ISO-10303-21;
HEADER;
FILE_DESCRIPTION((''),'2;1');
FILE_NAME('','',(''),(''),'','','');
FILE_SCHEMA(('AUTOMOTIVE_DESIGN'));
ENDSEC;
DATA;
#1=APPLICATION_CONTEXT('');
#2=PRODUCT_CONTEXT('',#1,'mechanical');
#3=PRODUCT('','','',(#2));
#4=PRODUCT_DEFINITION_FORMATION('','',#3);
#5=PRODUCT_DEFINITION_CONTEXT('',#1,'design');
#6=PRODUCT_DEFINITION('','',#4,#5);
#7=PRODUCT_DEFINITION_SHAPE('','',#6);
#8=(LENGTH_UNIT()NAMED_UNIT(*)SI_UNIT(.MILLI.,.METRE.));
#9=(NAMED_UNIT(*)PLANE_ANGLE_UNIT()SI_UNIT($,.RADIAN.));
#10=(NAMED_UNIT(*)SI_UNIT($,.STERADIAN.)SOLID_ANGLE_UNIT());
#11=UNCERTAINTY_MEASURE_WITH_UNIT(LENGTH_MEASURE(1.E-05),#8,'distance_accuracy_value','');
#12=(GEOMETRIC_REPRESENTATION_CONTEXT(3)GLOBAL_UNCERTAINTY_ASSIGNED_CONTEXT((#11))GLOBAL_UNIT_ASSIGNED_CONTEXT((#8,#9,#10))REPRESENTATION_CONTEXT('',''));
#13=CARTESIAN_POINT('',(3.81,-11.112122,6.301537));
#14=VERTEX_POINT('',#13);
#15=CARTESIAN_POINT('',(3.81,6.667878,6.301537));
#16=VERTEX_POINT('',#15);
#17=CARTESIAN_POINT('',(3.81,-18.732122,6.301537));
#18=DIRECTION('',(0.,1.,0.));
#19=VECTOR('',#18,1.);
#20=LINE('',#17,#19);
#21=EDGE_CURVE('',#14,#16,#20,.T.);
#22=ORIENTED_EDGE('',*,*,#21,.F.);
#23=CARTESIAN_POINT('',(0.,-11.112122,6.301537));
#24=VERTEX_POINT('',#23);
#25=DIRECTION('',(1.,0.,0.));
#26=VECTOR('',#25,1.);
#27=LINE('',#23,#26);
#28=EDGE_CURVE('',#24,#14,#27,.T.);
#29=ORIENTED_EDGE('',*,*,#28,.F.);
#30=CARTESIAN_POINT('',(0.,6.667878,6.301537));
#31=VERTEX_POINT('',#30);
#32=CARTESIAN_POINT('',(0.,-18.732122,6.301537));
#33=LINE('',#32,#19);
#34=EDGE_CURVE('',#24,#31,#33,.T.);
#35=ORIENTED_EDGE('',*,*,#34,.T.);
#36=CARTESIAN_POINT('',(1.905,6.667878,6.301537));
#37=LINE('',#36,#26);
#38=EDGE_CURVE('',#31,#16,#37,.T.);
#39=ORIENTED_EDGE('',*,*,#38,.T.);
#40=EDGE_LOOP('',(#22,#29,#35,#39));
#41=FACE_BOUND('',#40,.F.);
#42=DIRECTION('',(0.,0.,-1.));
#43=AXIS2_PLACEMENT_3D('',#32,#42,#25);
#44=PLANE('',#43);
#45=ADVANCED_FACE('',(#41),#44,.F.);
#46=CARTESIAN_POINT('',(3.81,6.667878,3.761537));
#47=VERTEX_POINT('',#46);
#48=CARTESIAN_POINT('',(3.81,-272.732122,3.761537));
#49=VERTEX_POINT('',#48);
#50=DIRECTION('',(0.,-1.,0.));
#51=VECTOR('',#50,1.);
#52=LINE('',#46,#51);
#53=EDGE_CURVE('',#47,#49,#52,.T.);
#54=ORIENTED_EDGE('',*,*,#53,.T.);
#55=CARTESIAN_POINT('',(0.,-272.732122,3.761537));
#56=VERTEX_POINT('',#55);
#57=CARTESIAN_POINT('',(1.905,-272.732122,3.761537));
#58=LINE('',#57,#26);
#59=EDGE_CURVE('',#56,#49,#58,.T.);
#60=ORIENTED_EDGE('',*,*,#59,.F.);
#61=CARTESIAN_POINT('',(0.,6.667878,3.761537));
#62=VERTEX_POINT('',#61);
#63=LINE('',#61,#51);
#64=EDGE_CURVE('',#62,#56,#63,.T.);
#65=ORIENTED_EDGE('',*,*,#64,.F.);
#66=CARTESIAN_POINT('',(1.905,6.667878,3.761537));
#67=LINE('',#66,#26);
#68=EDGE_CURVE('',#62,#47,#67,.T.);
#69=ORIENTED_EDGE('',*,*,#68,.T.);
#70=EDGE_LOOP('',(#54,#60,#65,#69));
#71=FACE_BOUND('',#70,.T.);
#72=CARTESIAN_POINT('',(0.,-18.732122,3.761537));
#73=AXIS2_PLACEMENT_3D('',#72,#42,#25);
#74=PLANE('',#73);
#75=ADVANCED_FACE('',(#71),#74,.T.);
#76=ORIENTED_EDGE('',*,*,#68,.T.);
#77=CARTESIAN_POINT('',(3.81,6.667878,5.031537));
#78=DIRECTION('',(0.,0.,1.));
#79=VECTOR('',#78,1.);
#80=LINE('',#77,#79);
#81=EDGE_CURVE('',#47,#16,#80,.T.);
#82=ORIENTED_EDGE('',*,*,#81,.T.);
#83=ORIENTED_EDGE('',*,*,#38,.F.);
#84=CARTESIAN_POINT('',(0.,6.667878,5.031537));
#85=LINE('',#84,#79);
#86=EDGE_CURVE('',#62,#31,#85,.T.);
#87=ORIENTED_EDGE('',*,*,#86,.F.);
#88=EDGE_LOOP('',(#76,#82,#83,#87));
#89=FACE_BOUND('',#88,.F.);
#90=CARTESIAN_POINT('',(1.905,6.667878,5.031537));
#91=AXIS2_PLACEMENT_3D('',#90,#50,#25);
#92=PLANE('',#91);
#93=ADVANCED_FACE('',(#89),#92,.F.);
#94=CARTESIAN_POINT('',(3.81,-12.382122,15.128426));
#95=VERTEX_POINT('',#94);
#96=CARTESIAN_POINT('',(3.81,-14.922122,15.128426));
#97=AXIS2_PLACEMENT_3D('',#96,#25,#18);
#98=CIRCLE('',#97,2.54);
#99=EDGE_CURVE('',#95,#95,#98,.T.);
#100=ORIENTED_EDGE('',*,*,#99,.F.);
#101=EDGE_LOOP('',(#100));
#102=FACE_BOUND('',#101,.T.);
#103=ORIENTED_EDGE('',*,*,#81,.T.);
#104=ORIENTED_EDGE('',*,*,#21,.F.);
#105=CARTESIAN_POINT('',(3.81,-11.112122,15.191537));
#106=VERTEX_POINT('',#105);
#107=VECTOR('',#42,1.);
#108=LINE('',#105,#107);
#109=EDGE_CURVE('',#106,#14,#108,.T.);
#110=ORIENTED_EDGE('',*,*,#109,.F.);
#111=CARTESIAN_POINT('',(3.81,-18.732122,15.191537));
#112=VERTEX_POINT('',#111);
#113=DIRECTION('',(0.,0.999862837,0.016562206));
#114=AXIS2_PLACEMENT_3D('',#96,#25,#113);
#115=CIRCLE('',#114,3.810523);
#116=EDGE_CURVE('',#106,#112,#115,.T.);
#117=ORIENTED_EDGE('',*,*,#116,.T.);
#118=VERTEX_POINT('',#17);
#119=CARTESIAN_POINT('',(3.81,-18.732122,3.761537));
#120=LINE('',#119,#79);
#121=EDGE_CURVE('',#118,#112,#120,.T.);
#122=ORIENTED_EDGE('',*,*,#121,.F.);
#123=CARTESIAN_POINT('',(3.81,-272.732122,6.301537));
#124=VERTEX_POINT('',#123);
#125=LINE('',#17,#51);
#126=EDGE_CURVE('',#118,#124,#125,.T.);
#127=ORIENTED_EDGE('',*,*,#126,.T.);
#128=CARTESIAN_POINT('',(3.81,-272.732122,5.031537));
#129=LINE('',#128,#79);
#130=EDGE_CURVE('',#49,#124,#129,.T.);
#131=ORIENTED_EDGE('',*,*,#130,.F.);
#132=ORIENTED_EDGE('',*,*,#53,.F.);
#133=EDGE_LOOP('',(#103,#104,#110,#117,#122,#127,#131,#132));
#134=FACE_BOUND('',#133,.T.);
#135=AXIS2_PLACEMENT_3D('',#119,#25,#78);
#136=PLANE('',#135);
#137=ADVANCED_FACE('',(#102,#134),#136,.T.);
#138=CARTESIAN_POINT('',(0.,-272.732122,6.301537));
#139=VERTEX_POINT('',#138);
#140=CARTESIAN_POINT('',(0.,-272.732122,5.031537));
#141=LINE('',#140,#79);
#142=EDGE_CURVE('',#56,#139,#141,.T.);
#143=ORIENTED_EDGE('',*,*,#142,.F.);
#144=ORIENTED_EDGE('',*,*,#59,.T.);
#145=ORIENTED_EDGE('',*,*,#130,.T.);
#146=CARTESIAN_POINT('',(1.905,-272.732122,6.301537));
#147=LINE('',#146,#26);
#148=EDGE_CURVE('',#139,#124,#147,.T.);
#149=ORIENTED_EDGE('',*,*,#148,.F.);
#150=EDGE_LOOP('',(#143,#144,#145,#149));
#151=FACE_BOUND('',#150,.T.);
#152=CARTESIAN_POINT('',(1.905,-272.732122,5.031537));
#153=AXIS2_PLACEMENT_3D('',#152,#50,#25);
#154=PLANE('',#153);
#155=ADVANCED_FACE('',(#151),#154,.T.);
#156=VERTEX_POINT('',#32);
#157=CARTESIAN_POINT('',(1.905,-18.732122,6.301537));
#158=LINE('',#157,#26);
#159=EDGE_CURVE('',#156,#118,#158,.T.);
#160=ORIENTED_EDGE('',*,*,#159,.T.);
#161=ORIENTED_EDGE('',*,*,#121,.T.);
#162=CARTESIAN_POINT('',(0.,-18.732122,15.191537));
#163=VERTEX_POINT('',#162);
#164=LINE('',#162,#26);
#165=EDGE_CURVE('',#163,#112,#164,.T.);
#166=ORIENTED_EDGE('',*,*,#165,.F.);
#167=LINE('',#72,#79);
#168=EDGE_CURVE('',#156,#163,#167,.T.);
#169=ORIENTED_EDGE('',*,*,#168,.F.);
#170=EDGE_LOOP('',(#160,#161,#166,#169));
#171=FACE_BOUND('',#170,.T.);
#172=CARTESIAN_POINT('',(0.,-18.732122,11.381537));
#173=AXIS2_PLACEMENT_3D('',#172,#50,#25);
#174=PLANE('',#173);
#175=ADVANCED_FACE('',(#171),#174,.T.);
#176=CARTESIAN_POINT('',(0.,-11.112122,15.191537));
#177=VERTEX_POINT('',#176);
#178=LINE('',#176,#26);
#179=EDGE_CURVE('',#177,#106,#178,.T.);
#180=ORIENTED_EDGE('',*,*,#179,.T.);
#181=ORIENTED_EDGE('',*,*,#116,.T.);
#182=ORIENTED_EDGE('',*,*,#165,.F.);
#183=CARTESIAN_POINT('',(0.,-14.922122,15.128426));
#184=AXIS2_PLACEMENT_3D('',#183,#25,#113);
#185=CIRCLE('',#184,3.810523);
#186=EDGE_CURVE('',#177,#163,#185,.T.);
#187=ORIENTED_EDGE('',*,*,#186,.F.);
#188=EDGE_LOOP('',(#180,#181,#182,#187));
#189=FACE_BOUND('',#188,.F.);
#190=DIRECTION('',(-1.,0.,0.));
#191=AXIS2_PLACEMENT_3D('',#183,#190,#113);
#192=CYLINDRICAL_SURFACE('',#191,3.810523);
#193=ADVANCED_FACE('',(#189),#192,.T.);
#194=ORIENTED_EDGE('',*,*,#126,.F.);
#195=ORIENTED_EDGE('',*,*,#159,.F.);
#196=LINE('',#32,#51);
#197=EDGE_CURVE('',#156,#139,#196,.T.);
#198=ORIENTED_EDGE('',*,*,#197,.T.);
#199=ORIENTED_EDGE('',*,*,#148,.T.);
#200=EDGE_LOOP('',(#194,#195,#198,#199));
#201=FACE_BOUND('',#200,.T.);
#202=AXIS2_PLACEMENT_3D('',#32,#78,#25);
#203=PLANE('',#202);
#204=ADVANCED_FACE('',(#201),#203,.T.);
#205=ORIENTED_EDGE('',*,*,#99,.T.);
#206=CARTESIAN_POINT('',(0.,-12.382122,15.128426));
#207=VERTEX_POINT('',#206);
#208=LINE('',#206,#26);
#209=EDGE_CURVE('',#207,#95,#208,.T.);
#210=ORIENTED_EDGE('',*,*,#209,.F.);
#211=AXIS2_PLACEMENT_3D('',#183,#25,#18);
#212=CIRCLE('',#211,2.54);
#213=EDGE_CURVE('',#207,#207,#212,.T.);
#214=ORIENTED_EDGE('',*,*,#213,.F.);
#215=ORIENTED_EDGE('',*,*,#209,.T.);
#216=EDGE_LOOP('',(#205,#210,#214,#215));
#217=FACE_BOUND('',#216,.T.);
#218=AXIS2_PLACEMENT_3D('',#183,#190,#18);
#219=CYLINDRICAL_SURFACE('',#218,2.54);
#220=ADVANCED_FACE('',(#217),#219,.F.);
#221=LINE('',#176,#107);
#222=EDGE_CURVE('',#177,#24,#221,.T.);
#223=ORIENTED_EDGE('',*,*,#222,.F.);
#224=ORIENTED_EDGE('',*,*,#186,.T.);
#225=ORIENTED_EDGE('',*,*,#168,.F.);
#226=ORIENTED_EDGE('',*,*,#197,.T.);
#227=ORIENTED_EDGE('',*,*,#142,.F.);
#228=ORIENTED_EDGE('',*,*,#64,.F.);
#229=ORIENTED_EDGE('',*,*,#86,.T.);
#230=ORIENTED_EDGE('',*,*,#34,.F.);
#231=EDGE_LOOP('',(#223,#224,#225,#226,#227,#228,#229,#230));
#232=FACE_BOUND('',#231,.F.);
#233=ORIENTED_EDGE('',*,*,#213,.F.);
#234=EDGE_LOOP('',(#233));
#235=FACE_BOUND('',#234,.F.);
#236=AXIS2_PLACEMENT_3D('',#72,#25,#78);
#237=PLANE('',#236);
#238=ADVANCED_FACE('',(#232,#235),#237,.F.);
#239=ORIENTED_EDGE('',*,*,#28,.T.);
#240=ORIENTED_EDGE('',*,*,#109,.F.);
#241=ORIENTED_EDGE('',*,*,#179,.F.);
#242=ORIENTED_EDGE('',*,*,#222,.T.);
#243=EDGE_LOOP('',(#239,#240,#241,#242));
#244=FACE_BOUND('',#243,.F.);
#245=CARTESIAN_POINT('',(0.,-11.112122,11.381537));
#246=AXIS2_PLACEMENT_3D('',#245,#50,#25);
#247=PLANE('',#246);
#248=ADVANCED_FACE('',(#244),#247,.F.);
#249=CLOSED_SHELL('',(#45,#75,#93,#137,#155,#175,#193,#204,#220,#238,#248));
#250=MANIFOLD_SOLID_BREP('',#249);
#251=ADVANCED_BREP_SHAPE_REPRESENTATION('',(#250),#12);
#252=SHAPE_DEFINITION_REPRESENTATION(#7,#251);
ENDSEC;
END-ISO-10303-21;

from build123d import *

# Parameters (mm, degrees)
F0_R          = 2.54
F1_DEPTH      = 3.81
F1_FACE_W     = 3.81
F1_FACE_H     = 7.62
F2_DEPTH      = 7.62
F3_W          = 3.81
F3_H          = 2.54
F4_DEPTH      = 254
F4_DEPTH_BACK = 25.4


with BuildPart() as f1:
    # F0 (on Right) → F1 (new body)
    with BuildSketch(Plane.YZ):
        with BuildLine():
            ThreePointArc((-11.112122, 15.191537), (-14.922122, 18.938949), (-18.732122, 15.191537))
            Line((-18.732122, 15.191537), (-18.732122, 11.381537))
            Line((-18.732122, 11.381537), (-11.112122, 11.381537))
            Line((-11.112122, 11.381537), (-11.112122, 15.191537))
        make_face()
        with Locations((-14.922122, 15.128426)):
            Circle(F0_R, mode=Mode.SUBTRACT)
    extrude(amount=F1_DEPTH)

    # F1_face (on face) → F2 (join)
    with BuildSketch(Plane(origin=(1.905, -14.922122, 11.381537), x_dir=(1, 0, 0), z_dir=(0, 0, -1))):
        Rectangle(F1_FACE_W, F1_FACE_H)
    extrude(amount=F2_DEPTH)

    # F3 (on face) → F4 (join, two sides)
    with BuildSketch(Plane.XZ.offset(18.732122)) as f4_sk:
        with Locations((1.905, 5.031537)):
            Rectangle(F3_W, F3_H)
    extrude(amount=F4_DEPTH)
    extrude(f4_sk.sketch, amount=-F4_DEPTH_BACK)


solid = f1.part
